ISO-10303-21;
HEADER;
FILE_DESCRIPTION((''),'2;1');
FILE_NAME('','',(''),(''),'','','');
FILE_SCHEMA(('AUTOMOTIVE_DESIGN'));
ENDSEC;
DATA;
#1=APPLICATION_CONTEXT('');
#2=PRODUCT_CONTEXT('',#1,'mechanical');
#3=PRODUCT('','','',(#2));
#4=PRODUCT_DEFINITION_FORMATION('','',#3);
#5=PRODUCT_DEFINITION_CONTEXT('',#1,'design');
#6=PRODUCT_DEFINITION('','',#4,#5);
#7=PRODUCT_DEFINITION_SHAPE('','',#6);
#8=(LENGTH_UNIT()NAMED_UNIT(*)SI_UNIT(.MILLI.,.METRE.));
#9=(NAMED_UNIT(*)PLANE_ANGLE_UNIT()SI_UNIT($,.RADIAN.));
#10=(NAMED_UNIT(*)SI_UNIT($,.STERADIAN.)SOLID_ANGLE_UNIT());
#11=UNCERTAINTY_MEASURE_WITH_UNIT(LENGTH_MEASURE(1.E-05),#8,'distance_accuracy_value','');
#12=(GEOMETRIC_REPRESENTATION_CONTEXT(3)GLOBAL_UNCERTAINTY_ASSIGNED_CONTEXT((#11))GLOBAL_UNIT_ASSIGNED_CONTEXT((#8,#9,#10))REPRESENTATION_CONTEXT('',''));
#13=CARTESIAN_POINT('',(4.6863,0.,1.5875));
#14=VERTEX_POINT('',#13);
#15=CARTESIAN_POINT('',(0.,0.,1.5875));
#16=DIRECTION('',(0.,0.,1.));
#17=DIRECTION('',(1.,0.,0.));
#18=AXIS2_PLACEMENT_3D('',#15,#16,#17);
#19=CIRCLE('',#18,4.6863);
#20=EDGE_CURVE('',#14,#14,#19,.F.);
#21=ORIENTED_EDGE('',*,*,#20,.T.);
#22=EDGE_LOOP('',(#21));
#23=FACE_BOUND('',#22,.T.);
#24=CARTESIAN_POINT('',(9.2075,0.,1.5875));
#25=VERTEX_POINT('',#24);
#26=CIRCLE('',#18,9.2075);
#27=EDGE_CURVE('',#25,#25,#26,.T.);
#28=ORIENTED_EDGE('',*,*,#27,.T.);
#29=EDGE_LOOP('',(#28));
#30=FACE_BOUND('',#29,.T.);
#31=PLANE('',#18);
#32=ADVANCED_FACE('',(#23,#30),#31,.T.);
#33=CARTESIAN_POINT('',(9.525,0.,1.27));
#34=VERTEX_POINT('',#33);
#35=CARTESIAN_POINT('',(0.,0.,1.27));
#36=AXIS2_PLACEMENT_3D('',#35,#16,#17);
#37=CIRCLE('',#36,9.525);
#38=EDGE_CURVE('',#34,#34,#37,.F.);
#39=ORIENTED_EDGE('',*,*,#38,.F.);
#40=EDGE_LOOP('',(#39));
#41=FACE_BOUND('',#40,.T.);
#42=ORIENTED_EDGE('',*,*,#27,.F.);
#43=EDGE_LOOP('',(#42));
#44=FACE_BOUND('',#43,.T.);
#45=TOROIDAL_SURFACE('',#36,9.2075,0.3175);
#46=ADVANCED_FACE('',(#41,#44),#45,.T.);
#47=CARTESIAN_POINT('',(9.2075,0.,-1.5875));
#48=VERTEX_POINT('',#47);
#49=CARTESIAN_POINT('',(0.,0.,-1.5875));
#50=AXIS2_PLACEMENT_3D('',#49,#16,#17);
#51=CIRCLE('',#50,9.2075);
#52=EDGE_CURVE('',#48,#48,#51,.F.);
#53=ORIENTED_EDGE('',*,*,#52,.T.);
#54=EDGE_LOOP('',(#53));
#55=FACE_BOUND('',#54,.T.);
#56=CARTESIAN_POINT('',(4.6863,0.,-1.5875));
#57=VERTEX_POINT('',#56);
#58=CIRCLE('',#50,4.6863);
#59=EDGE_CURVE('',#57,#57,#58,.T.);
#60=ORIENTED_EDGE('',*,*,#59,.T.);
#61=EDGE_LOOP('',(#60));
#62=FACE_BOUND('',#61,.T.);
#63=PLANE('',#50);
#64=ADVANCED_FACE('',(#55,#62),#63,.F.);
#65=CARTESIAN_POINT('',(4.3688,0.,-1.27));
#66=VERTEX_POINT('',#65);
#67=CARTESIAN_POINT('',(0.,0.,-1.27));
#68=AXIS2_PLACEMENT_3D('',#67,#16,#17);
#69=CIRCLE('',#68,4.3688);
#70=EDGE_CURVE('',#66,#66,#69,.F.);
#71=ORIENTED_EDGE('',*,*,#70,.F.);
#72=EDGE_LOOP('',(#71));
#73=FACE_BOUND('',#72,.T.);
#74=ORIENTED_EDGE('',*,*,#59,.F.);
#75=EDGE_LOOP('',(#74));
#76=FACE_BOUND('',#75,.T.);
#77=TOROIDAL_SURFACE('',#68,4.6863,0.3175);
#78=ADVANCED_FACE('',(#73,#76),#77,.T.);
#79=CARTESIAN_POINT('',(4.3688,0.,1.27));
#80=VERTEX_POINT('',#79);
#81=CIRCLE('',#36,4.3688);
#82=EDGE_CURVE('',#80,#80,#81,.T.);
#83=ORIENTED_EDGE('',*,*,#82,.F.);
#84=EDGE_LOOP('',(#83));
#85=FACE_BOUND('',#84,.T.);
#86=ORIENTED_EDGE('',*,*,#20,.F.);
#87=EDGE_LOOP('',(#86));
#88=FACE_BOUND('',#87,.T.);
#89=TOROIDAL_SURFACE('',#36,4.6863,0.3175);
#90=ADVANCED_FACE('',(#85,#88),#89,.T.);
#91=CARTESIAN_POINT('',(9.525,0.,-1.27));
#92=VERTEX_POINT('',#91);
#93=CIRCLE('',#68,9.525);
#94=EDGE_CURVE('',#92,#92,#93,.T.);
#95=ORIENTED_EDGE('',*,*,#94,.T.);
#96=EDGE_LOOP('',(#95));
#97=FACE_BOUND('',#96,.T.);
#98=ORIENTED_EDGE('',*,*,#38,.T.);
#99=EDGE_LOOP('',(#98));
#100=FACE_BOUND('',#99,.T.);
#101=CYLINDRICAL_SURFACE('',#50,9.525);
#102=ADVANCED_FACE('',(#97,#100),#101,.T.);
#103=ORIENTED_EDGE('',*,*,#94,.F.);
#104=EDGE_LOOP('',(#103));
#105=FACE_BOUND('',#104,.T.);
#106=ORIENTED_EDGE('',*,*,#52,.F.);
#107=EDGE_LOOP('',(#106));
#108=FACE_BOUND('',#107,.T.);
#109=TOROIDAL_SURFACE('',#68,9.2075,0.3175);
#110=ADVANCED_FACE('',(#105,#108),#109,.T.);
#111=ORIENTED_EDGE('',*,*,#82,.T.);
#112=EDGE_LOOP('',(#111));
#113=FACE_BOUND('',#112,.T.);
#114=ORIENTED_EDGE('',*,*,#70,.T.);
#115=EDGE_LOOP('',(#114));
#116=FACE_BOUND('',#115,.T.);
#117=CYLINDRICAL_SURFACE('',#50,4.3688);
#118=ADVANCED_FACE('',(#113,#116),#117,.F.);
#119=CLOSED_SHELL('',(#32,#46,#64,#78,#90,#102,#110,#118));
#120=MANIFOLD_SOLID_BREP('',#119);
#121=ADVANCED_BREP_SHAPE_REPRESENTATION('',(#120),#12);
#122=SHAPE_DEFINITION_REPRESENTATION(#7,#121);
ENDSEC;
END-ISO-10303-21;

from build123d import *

# Parameters (mm, degrees)
BOSS_EXTRUDE1_START = 1.5875
SKETCH3_R           = 9.525
SKETCH3_R_2         = 4.3688
BOSS_EXTRUDE1_DEPTH = 3.175
FILLET1_R           = 0.3175


with BuildPart() as part:
    # Sketch3 → Boss-Extrude1 (new body)
    with BuildSketch(Plane.XY.offset(BOSS_EXTRUDE1_START)):
        Circle(SKETCH3_R)
        Circle(SKETCH3_R_2, mode=Mode.SUBTRACT)
    extrude(amount=-BOSS_EXTRUDE1_DEPTH)

    # Fillet1
    fillet1_edges = [part.edges().sort_by_distance(p)[0] for p in [
        (-9.525, 0, 1.5875),
        (-9.525, 0, -1.5875),
        (-4.3688, 0, -1.5875),
        (-4.3688, 0, 1.5875),
    ]]
    fillet(fillet1_edges, radius=FILLET1_R)


solid = part.part
